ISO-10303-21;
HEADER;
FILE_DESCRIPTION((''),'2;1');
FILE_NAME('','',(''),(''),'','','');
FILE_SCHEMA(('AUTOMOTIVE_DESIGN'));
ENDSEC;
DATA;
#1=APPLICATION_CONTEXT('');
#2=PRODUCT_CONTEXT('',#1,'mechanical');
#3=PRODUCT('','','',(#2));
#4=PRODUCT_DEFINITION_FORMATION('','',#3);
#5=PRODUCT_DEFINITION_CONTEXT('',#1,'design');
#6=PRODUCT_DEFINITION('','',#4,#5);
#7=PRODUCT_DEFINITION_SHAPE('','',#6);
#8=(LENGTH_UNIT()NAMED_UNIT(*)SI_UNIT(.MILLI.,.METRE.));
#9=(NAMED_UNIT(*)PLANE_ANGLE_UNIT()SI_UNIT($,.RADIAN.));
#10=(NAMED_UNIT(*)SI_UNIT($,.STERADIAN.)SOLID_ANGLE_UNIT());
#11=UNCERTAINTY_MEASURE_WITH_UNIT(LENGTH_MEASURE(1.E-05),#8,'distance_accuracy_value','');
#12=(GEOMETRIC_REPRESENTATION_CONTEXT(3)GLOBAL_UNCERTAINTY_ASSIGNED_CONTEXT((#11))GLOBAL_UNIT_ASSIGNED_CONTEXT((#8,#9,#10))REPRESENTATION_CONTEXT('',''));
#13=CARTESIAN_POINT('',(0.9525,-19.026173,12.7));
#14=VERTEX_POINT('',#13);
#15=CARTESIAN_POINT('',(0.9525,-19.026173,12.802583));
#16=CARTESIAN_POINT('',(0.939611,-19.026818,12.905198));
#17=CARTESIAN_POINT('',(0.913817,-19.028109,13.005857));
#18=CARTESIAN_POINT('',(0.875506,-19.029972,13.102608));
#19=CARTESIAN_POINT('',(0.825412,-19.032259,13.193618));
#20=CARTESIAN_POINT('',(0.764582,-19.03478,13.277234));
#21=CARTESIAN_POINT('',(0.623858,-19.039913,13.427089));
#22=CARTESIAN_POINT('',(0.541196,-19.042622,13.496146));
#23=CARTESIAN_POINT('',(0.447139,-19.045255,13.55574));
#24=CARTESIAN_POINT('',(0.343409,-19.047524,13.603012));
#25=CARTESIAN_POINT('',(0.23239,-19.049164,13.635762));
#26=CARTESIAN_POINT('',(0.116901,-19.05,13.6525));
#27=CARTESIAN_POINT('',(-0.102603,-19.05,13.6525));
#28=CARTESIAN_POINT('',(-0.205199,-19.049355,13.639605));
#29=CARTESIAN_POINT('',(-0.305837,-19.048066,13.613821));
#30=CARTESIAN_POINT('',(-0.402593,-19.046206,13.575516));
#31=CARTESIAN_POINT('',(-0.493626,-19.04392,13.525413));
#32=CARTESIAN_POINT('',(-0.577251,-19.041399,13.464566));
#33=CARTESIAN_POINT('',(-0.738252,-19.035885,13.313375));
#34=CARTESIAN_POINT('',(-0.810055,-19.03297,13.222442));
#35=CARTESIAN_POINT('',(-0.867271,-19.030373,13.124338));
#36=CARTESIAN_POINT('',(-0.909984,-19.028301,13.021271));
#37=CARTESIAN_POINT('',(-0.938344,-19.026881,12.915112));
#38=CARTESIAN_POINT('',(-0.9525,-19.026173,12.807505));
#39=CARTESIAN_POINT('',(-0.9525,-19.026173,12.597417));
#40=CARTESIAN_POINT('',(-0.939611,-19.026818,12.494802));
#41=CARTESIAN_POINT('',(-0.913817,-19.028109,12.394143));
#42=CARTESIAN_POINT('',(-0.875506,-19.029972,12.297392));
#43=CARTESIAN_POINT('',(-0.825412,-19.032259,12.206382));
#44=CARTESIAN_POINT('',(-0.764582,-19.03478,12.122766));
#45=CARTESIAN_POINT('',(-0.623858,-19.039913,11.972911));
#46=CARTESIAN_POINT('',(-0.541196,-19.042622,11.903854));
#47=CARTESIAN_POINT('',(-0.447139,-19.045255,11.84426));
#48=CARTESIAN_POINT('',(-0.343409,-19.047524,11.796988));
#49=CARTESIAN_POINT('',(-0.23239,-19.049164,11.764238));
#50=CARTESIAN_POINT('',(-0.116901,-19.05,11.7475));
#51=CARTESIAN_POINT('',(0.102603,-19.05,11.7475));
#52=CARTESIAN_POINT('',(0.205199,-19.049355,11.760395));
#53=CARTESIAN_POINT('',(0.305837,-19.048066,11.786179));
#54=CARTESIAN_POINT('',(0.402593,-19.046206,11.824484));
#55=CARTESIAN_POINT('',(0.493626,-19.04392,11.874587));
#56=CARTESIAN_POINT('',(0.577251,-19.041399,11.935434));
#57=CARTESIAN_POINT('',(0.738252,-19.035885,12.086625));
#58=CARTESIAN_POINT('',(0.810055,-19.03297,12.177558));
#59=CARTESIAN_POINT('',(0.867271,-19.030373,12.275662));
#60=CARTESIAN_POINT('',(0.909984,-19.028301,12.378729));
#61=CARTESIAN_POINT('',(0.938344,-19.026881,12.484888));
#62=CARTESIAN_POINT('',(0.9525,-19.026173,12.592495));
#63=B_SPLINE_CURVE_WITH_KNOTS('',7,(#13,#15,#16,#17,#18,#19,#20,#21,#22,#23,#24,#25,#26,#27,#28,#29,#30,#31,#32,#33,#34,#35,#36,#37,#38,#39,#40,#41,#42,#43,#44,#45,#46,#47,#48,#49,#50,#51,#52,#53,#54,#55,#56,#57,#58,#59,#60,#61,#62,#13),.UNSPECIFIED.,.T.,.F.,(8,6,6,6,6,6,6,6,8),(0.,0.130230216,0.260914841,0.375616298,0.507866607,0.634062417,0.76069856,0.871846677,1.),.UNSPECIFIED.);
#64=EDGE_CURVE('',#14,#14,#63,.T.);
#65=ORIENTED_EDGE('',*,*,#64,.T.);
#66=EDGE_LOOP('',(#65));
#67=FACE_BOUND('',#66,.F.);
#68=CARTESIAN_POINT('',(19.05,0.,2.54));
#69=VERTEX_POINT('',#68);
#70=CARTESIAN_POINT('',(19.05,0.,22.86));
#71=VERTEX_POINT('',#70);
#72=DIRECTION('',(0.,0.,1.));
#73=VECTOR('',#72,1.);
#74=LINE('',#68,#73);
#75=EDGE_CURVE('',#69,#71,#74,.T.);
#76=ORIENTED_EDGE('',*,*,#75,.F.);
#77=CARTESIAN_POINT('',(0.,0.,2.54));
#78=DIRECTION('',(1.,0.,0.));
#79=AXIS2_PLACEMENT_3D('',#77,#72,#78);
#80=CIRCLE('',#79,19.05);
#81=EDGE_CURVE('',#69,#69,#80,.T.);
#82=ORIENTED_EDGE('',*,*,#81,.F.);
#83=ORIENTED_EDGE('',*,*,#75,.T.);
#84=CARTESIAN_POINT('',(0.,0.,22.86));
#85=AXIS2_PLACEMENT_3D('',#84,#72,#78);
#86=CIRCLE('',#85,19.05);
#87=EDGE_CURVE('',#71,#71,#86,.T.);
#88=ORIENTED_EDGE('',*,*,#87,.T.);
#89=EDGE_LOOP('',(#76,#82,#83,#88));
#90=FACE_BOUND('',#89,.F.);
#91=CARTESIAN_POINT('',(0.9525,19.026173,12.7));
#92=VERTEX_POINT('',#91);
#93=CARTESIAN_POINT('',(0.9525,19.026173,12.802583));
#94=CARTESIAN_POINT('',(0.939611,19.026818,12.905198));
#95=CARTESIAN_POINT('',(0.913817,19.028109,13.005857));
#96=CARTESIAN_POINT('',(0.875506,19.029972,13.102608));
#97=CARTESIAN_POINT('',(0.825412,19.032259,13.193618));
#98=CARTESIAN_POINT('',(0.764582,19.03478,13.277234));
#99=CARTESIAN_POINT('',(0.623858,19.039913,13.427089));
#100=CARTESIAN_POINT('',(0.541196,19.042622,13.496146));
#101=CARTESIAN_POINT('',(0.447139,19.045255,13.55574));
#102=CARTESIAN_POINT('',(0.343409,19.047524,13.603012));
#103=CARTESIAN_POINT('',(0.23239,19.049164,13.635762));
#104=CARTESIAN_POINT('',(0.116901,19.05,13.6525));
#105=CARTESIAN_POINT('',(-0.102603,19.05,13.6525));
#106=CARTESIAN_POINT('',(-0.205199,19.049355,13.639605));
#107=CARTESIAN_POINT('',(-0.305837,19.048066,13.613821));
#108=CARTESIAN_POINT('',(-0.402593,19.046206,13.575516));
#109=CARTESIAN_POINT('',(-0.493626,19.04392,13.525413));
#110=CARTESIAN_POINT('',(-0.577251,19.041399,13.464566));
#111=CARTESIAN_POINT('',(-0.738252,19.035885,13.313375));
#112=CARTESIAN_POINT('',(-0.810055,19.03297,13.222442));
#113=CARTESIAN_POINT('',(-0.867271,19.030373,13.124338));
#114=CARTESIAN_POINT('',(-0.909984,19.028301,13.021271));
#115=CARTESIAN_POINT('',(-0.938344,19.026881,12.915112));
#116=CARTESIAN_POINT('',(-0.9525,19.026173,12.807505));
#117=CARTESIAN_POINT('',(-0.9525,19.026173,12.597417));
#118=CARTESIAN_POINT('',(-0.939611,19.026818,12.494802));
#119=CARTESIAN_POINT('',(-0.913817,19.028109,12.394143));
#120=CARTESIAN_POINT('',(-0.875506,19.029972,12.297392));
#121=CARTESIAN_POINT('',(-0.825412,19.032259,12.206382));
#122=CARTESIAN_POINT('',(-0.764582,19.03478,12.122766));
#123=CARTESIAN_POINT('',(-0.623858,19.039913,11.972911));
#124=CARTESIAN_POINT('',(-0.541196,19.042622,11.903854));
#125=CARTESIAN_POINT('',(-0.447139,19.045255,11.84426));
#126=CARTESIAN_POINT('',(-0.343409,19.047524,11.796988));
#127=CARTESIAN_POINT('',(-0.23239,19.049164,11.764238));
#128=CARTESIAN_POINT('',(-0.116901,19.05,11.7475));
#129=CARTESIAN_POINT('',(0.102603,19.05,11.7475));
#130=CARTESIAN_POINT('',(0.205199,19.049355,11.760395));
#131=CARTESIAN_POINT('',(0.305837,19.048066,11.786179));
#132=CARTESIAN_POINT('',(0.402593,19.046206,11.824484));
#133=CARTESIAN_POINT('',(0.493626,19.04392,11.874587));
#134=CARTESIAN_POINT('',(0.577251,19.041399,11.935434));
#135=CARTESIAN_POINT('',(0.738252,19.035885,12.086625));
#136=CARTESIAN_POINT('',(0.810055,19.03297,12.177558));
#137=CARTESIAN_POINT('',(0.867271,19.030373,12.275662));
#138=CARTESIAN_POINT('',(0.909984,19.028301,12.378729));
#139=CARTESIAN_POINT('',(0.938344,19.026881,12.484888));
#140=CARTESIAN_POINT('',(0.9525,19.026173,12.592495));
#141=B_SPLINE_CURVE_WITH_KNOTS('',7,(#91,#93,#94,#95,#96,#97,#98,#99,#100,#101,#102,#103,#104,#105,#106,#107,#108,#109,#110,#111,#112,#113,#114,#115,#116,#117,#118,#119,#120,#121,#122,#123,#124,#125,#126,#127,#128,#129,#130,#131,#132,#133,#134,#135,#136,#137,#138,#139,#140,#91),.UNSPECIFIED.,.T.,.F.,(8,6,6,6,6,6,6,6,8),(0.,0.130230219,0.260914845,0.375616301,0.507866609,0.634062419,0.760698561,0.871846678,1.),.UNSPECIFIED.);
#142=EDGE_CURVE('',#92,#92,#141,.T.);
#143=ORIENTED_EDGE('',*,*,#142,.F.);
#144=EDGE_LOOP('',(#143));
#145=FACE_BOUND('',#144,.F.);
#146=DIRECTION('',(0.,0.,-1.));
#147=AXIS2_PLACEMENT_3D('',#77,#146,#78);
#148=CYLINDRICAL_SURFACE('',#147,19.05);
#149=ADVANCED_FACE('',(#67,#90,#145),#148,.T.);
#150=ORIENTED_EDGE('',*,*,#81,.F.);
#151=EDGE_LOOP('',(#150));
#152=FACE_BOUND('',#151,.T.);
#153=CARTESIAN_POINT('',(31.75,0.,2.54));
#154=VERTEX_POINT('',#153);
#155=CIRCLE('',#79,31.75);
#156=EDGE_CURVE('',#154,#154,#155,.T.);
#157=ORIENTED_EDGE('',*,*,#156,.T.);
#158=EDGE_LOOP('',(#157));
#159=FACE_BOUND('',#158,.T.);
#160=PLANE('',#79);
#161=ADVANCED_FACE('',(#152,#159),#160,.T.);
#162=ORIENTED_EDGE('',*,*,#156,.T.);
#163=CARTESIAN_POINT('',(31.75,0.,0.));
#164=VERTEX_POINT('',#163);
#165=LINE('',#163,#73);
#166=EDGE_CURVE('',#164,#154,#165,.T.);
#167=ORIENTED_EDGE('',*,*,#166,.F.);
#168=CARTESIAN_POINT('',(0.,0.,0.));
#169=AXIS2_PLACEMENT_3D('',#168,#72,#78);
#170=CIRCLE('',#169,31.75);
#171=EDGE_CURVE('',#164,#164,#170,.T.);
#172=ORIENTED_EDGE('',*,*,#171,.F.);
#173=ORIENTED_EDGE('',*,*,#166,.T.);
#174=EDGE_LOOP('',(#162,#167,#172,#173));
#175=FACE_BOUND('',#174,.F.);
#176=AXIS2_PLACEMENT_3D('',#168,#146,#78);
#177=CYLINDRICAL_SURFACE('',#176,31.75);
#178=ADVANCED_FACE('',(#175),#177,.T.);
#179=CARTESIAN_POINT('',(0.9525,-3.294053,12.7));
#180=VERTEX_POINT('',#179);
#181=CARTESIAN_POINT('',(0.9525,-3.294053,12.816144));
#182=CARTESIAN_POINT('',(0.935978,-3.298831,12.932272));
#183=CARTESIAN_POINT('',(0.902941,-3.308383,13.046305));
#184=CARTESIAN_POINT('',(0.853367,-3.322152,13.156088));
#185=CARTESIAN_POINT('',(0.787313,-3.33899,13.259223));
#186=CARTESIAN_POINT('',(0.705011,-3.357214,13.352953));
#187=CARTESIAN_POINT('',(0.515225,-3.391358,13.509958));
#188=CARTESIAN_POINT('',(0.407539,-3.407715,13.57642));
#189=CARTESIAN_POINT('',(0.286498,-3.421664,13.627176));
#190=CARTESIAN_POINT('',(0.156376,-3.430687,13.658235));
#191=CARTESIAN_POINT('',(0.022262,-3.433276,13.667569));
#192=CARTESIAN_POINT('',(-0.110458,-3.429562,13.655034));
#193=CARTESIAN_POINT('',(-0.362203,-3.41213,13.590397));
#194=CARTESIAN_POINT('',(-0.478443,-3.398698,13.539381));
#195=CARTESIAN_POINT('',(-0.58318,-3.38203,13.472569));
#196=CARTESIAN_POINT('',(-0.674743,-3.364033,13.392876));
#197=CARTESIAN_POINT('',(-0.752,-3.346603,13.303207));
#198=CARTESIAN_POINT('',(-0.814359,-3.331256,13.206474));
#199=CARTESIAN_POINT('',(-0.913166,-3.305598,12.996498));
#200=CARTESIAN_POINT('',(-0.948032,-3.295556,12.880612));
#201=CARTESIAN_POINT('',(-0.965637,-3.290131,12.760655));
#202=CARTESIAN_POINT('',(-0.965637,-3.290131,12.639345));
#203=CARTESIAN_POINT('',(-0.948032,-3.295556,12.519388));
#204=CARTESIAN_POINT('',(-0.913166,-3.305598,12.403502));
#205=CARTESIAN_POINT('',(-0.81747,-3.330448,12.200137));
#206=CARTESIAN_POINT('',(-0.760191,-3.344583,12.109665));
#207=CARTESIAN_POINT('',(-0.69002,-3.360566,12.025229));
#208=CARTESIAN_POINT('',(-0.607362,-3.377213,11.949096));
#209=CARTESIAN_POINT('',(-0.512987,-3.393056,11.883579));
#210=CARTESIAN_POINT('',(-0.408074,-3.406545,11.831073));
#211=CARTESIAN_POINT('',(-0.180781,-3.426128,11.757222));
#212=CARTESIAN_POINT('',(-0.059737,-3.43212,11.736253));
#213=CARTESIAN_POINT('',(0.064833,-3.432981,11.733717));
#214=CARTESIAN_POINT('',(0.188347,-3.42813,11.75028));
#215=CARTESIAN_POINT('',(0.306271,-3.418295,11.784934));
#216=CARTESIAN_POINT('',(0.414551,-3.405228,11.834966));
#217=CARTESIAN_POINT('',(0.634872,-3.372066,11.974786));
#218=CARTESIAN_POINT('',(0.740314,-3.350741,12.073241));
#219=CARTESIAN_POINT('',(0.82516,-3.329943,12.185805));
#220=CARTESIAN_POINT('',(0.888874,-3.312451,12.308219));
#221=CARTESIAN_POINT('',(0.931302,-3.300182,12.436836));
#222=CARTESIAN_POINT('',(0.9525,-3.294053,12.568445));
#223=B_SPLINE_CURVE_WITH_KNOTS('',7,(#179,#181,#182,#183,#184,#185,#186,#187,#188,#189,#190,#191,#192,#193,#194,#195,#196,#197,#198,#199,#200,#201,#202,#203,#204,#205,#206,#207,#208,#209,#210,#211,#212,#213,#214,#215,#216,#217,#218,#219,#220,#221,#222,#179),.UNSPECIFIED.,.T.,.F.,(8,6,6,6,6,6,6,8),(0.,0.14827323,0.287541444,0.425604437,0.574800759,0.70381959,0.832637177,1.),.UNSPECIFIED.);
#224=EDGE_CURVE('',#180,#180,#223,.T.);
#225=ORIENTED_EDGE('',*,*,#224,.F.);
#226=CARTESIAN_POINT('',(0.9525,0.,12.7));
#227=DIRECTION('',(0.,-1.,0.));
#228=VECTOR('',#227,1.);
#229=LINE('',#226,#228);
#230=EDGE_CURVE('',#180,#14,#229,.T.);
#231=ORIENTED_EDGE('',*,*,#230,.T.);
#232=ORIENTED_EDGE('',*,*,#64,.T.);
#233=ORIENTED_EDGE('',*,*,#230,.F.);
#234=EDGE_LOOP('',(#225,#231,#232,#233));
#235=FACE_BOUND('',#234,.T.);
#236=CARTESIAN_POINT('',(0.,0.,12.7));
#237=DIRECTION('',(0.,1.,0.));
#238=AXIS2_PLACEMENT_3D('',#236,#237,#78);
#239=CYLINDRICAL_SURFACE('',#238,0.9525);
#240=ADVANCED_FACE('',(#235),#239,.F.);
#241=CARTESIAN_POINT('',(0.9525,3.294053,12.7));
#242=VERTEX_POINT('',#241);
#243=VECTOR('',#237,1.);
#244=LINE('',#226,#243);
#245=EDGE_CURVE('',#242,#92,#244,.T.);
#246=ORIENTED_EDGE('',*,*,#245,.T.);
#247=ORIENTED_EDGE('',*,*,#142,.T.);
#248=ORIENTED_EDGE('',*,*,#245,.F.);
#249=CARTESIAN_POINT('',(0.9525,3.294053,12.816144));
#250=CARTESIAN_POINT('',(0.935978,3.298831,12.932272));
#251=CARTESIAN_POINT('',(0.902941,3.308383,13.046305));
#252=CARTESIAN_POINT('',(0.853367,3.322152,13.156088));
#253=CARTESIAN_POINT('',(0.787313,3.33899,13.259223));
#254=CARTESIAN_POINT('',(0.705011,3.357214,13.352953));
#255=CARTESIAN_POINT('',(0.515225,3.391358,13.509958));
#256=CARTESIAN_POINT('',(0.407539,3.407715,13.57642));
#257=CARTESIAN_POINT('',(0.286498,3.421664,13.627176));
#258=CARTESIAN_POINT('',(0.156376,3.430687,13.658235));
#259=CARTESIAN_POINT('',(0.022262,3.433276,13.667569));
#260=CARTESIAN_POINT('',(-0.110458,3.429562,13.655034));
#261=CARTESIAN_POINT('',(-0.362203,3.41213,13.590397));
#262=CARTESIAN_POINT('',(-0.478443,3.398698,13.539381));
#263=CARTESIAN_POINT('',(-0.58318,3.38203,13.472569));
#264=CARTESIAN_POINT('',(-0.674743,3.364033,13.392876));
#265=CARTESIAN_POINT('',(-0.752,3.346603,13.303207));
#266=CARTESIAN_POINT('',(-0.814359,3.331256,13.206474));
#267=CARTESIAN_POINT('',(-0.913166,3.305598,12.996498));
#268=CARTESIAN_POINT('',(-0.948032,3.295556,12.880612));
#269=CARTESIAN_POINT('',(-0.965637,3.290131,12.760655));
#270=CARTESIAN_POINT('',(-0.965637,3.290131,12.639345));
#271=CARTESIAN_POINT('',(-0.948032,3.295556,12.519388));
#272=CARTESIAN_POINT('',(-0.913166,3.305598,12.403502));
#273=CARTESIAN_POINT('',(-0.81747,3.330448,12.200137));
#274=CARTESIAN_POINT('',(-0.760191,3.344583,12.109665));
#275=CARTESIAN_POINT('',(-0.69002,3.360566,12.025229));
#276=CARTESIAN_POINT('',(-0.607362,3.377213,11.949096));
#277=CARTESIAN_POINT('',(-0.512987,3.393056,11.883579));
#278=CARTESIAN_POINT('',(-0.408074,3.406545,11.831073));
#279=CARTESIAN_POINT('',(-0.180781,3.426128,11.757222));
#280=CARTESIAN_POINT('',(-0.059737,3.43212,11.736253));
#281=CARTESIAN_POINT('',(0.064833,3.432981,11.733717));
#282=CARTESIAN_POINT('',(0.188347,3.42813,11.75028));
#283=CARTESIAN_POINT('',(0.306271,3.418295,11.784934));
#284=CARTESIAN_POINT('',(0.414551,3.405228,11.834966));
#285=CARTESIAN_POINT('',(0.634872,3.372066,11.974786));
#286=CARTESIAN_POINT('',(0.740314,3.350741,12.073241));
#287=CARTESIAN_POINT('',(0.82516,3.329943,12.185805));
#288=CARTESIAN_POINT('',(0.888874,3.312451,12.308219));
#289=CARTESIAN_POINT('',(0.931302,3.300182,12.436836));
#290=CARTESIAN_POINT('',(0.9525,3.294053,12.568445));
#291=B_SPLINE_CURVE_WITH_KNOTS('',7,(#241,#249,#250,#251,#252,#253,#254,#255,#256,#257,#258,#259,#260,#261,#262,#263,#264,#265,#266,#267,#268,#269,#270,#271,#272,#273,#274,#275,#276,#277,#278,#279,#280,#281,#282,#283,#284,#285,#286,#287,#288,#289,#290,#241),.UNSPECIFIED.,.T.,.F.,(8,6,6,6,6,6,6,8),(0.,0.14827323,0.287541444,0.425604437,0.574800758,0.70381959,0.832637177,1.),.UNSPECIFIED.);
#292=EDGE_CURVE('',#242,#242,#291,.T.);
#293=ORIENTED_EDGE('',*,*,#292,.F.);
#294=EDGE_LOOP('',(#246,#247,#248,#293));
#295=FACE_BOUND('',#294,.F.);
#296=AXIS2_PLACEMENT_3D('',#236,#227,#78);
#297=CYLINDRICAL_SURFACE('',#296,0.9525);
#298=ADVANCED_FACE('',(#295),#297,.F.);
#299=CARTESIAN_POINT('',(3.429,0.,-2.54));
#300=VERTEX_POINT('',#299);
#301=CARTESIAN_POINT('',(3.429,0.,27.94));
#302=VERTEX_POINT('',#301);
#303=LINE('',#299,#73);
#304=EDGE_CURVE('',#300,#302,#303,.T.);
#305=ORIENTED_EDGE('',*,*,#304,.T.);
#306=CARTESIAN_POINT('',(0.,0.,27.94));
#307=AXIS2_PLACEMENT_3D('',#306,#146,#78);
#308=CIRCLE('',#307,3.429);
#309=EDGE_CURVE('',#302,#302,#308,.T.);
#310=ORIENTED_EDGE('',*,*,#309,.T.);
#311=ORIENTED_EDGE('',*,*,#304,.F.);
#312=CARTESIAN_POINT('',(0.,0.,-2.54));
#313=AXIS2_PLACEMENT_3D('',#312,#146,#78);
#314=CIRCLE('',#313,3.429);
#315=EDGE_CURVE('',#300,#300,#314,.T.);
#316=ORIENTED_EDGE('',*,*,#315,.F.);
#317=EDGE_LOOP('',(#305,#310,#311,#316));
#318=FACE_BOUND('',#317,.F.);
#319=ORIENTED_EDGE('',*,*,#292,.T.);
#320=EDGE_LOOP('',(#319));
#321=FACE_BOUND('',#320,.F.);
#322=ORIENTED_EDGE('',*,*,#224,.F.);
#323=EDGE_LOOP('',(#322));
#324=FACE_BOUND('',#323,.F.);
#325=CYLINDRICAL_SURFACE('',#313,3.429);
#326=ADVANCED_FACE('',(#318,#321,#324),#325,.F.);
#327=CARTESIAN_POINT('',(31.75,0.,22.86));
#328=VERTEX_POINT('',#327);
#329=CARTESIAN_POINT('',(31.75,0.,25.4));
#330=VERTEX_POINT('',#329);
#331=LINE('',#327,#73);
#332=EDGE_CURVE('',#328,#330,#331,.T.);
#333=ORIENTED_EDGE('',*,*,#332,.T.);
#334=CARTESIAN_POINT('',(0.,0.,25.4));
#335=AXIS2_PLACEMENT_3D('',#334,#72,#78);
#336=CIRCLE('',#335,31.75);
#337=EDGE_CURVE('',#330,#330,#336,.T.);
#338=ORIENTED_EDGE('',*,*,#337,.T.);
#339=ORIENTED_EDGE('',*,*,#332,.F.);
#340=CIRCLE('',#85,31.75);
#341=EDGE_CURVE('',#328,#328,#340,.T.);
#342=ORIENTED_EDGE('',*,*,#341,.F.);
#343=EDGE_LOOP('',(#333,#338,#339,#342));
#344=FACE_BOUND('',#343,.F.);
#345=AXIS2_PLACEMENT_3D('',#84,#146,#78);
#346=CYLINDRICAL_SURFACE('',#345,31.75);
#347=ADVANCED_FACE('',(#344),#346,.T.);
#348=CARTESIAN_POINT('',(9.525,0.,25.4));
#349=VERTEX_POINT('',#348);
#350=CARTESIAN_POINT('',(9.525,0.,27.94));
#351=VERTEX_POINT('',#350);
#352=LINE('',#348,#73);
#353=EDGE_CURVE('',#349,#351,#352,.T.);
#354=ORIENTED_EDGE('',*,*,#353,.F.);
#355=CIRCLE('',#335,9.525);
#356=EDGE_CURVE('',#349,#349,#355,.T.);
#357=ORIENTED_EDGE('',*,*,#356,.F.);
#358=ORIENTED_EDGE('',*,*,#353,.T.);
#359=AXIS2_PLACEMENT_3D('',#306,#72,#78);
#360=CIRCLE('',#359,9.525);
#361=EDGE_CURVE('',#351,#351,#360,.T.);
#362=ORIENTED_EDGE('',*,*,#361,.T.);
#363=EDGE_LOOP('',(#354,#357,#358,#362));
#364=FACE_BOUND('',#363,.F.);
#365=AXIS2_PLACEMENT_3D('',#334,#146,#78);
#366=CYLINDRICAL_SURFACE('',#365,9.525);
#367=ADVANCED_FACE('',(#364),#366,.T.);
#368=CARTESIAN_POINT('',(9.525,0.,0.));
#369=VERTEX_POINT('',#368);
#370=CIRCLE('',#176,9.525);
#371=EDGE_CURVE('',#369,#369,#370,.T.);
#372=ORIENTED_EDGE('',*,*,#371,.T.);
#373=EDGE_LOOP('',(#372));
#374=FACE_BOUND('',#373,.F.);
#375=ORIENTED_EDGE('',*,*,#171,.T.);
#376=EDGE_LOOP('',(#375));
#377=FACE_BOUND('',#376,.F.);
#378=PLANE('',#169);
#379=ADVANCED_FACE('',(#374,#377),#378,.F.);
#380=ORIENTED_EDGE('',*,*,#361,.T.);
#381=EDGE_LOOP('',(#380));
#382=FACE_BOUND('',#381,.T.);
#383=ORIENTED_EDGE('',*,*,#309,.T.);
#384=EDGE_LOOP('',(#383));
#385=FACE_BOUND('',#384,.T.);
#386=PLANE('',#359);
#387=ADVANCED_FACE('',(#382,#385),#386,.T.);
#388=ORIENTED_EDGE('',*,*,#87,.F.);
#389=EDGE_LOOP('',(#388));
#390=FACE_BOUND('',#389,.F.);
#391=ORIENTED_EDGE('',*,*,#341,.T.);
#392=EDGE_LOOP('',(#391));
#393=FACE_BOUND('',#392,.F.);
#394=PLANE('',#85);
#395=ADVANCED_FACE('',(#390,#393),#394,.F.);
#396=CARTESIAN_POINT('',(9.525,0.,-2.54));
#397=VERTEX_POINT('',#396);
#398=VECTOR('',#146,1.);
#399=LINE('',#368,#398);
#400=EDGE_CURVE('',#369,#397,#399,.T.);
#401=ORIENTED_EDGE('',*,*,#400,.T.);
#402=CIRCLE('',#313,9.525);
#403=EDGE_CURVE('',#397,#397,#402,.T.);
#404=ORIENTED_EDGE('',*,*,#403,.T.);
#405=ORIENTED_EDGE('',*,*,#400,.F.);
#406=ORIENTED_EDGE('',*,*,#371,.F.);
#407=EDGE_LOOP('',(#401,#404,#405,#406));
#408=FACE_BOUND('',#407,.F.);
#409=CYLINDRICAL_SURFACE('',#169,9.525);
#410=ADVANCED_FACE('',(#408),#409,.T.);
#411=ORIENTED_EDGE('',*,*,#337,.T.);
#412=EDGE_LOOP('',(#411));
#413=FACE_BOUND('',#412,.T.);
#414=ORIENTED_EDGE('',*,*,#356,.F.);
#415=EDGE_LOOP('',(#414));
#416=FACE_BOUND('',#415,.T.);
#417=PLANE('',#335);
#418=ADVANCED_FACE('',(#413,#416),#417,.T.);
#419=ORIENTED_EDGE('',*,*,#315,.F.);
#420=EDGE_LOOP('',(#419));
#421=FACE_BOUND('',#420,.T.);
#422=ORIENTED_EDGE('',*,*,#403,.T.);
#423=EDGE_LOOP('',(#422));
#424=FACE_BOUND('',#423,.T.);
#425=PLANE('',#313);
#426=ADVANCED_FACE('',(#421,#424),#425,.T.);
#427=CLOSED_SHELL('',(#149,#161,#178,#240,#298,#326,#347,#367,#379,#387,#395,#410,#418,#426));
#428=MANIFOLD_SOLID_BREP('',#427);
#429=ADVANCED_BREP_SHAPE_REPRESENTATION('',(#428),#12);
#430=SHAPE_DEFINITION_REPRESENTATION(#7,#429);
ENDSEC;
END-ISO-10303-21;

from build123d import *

# Parameters (mm, degrees)
F0_R           = 31.75
F1_DEPTH       = 2.54
F2_R           = 19.05
F3_DEPTH       = 20.32
F4_R           = 31.75
F4_R_2         = 19.05
F5_DEPTH       = 2.54
F6_R           = 9.525
F7_DEPTH       = 2.54
F8_R           = 9.525
F9_DEPTH       = 2.54
F10_R          = 3.429
F11_DEPTH      = 30.48
F12_R          = 0.9525
F13_DEPTH      = 25.4
F13_DEPTH_BACK = 25.4


with BuildPart() as f1:
    # F0 (on Top) → F1 (new body)
    with BuildSketch(Plane.XY):
        Circle(F0_R)
    extrude(amount=F1_DEPTH)

    # F2 (on face) → F3 (join)
    with BuildSketch(Plane.XY.offset(2.54)):
        Circle(F2_R)
    extrude(amount=F3_DEPTH)

    # F4 (on face) → F5 (join)
    with BuildSketch(Plane.XY.offset(22.86)):
        Circle(F4_R)
        Circle(F4_R_2, mode=Mode.SUBTRACT)
        Circle(F4_R_2)
    extrude(amount=F5_DEPTH)

    # F6 (on face) → F7 (join)
    with BuildSketch(Plane.XY.offset(25.4)):
        Circle(F6_R)
    extrude(amount=F7_DEPTH)

    # F8 (on face) → F9 (join)
    with BuildSketch(Plane(origin=(0, 0, 0), x_dir=(1, 0, 0), z_dir=(0, 0, -1))):
        Circle(F8_R)
    extrude(amount=F9_DEPTH)

    # F10 (on face) → F11 (cut)
    with BuildSketch(Plane(origin=(0, 0, -2.54), x_dir=(1, 0, 0), z_dir=(0, 0, -1))):
        Circle(F10_R)
    extrude(amount=-F11_DEPTH, mode=Mode.SUBTRACT)

    # F12 (on Front) → F13 (cut, two sides)
    with BuildSketch(Plane.XZ) as f13_sk:
        with Locations((0, 12.7)):
            Circle(F12_R)
    extrude(amount=-F13_DEPTH, mode=Mode.SUBTRACT)
    extrude(f13_sk.sketch, amount=F13_DEPTH_BACK, mode=Mode.SUBTRACT)


solid = f1.part
